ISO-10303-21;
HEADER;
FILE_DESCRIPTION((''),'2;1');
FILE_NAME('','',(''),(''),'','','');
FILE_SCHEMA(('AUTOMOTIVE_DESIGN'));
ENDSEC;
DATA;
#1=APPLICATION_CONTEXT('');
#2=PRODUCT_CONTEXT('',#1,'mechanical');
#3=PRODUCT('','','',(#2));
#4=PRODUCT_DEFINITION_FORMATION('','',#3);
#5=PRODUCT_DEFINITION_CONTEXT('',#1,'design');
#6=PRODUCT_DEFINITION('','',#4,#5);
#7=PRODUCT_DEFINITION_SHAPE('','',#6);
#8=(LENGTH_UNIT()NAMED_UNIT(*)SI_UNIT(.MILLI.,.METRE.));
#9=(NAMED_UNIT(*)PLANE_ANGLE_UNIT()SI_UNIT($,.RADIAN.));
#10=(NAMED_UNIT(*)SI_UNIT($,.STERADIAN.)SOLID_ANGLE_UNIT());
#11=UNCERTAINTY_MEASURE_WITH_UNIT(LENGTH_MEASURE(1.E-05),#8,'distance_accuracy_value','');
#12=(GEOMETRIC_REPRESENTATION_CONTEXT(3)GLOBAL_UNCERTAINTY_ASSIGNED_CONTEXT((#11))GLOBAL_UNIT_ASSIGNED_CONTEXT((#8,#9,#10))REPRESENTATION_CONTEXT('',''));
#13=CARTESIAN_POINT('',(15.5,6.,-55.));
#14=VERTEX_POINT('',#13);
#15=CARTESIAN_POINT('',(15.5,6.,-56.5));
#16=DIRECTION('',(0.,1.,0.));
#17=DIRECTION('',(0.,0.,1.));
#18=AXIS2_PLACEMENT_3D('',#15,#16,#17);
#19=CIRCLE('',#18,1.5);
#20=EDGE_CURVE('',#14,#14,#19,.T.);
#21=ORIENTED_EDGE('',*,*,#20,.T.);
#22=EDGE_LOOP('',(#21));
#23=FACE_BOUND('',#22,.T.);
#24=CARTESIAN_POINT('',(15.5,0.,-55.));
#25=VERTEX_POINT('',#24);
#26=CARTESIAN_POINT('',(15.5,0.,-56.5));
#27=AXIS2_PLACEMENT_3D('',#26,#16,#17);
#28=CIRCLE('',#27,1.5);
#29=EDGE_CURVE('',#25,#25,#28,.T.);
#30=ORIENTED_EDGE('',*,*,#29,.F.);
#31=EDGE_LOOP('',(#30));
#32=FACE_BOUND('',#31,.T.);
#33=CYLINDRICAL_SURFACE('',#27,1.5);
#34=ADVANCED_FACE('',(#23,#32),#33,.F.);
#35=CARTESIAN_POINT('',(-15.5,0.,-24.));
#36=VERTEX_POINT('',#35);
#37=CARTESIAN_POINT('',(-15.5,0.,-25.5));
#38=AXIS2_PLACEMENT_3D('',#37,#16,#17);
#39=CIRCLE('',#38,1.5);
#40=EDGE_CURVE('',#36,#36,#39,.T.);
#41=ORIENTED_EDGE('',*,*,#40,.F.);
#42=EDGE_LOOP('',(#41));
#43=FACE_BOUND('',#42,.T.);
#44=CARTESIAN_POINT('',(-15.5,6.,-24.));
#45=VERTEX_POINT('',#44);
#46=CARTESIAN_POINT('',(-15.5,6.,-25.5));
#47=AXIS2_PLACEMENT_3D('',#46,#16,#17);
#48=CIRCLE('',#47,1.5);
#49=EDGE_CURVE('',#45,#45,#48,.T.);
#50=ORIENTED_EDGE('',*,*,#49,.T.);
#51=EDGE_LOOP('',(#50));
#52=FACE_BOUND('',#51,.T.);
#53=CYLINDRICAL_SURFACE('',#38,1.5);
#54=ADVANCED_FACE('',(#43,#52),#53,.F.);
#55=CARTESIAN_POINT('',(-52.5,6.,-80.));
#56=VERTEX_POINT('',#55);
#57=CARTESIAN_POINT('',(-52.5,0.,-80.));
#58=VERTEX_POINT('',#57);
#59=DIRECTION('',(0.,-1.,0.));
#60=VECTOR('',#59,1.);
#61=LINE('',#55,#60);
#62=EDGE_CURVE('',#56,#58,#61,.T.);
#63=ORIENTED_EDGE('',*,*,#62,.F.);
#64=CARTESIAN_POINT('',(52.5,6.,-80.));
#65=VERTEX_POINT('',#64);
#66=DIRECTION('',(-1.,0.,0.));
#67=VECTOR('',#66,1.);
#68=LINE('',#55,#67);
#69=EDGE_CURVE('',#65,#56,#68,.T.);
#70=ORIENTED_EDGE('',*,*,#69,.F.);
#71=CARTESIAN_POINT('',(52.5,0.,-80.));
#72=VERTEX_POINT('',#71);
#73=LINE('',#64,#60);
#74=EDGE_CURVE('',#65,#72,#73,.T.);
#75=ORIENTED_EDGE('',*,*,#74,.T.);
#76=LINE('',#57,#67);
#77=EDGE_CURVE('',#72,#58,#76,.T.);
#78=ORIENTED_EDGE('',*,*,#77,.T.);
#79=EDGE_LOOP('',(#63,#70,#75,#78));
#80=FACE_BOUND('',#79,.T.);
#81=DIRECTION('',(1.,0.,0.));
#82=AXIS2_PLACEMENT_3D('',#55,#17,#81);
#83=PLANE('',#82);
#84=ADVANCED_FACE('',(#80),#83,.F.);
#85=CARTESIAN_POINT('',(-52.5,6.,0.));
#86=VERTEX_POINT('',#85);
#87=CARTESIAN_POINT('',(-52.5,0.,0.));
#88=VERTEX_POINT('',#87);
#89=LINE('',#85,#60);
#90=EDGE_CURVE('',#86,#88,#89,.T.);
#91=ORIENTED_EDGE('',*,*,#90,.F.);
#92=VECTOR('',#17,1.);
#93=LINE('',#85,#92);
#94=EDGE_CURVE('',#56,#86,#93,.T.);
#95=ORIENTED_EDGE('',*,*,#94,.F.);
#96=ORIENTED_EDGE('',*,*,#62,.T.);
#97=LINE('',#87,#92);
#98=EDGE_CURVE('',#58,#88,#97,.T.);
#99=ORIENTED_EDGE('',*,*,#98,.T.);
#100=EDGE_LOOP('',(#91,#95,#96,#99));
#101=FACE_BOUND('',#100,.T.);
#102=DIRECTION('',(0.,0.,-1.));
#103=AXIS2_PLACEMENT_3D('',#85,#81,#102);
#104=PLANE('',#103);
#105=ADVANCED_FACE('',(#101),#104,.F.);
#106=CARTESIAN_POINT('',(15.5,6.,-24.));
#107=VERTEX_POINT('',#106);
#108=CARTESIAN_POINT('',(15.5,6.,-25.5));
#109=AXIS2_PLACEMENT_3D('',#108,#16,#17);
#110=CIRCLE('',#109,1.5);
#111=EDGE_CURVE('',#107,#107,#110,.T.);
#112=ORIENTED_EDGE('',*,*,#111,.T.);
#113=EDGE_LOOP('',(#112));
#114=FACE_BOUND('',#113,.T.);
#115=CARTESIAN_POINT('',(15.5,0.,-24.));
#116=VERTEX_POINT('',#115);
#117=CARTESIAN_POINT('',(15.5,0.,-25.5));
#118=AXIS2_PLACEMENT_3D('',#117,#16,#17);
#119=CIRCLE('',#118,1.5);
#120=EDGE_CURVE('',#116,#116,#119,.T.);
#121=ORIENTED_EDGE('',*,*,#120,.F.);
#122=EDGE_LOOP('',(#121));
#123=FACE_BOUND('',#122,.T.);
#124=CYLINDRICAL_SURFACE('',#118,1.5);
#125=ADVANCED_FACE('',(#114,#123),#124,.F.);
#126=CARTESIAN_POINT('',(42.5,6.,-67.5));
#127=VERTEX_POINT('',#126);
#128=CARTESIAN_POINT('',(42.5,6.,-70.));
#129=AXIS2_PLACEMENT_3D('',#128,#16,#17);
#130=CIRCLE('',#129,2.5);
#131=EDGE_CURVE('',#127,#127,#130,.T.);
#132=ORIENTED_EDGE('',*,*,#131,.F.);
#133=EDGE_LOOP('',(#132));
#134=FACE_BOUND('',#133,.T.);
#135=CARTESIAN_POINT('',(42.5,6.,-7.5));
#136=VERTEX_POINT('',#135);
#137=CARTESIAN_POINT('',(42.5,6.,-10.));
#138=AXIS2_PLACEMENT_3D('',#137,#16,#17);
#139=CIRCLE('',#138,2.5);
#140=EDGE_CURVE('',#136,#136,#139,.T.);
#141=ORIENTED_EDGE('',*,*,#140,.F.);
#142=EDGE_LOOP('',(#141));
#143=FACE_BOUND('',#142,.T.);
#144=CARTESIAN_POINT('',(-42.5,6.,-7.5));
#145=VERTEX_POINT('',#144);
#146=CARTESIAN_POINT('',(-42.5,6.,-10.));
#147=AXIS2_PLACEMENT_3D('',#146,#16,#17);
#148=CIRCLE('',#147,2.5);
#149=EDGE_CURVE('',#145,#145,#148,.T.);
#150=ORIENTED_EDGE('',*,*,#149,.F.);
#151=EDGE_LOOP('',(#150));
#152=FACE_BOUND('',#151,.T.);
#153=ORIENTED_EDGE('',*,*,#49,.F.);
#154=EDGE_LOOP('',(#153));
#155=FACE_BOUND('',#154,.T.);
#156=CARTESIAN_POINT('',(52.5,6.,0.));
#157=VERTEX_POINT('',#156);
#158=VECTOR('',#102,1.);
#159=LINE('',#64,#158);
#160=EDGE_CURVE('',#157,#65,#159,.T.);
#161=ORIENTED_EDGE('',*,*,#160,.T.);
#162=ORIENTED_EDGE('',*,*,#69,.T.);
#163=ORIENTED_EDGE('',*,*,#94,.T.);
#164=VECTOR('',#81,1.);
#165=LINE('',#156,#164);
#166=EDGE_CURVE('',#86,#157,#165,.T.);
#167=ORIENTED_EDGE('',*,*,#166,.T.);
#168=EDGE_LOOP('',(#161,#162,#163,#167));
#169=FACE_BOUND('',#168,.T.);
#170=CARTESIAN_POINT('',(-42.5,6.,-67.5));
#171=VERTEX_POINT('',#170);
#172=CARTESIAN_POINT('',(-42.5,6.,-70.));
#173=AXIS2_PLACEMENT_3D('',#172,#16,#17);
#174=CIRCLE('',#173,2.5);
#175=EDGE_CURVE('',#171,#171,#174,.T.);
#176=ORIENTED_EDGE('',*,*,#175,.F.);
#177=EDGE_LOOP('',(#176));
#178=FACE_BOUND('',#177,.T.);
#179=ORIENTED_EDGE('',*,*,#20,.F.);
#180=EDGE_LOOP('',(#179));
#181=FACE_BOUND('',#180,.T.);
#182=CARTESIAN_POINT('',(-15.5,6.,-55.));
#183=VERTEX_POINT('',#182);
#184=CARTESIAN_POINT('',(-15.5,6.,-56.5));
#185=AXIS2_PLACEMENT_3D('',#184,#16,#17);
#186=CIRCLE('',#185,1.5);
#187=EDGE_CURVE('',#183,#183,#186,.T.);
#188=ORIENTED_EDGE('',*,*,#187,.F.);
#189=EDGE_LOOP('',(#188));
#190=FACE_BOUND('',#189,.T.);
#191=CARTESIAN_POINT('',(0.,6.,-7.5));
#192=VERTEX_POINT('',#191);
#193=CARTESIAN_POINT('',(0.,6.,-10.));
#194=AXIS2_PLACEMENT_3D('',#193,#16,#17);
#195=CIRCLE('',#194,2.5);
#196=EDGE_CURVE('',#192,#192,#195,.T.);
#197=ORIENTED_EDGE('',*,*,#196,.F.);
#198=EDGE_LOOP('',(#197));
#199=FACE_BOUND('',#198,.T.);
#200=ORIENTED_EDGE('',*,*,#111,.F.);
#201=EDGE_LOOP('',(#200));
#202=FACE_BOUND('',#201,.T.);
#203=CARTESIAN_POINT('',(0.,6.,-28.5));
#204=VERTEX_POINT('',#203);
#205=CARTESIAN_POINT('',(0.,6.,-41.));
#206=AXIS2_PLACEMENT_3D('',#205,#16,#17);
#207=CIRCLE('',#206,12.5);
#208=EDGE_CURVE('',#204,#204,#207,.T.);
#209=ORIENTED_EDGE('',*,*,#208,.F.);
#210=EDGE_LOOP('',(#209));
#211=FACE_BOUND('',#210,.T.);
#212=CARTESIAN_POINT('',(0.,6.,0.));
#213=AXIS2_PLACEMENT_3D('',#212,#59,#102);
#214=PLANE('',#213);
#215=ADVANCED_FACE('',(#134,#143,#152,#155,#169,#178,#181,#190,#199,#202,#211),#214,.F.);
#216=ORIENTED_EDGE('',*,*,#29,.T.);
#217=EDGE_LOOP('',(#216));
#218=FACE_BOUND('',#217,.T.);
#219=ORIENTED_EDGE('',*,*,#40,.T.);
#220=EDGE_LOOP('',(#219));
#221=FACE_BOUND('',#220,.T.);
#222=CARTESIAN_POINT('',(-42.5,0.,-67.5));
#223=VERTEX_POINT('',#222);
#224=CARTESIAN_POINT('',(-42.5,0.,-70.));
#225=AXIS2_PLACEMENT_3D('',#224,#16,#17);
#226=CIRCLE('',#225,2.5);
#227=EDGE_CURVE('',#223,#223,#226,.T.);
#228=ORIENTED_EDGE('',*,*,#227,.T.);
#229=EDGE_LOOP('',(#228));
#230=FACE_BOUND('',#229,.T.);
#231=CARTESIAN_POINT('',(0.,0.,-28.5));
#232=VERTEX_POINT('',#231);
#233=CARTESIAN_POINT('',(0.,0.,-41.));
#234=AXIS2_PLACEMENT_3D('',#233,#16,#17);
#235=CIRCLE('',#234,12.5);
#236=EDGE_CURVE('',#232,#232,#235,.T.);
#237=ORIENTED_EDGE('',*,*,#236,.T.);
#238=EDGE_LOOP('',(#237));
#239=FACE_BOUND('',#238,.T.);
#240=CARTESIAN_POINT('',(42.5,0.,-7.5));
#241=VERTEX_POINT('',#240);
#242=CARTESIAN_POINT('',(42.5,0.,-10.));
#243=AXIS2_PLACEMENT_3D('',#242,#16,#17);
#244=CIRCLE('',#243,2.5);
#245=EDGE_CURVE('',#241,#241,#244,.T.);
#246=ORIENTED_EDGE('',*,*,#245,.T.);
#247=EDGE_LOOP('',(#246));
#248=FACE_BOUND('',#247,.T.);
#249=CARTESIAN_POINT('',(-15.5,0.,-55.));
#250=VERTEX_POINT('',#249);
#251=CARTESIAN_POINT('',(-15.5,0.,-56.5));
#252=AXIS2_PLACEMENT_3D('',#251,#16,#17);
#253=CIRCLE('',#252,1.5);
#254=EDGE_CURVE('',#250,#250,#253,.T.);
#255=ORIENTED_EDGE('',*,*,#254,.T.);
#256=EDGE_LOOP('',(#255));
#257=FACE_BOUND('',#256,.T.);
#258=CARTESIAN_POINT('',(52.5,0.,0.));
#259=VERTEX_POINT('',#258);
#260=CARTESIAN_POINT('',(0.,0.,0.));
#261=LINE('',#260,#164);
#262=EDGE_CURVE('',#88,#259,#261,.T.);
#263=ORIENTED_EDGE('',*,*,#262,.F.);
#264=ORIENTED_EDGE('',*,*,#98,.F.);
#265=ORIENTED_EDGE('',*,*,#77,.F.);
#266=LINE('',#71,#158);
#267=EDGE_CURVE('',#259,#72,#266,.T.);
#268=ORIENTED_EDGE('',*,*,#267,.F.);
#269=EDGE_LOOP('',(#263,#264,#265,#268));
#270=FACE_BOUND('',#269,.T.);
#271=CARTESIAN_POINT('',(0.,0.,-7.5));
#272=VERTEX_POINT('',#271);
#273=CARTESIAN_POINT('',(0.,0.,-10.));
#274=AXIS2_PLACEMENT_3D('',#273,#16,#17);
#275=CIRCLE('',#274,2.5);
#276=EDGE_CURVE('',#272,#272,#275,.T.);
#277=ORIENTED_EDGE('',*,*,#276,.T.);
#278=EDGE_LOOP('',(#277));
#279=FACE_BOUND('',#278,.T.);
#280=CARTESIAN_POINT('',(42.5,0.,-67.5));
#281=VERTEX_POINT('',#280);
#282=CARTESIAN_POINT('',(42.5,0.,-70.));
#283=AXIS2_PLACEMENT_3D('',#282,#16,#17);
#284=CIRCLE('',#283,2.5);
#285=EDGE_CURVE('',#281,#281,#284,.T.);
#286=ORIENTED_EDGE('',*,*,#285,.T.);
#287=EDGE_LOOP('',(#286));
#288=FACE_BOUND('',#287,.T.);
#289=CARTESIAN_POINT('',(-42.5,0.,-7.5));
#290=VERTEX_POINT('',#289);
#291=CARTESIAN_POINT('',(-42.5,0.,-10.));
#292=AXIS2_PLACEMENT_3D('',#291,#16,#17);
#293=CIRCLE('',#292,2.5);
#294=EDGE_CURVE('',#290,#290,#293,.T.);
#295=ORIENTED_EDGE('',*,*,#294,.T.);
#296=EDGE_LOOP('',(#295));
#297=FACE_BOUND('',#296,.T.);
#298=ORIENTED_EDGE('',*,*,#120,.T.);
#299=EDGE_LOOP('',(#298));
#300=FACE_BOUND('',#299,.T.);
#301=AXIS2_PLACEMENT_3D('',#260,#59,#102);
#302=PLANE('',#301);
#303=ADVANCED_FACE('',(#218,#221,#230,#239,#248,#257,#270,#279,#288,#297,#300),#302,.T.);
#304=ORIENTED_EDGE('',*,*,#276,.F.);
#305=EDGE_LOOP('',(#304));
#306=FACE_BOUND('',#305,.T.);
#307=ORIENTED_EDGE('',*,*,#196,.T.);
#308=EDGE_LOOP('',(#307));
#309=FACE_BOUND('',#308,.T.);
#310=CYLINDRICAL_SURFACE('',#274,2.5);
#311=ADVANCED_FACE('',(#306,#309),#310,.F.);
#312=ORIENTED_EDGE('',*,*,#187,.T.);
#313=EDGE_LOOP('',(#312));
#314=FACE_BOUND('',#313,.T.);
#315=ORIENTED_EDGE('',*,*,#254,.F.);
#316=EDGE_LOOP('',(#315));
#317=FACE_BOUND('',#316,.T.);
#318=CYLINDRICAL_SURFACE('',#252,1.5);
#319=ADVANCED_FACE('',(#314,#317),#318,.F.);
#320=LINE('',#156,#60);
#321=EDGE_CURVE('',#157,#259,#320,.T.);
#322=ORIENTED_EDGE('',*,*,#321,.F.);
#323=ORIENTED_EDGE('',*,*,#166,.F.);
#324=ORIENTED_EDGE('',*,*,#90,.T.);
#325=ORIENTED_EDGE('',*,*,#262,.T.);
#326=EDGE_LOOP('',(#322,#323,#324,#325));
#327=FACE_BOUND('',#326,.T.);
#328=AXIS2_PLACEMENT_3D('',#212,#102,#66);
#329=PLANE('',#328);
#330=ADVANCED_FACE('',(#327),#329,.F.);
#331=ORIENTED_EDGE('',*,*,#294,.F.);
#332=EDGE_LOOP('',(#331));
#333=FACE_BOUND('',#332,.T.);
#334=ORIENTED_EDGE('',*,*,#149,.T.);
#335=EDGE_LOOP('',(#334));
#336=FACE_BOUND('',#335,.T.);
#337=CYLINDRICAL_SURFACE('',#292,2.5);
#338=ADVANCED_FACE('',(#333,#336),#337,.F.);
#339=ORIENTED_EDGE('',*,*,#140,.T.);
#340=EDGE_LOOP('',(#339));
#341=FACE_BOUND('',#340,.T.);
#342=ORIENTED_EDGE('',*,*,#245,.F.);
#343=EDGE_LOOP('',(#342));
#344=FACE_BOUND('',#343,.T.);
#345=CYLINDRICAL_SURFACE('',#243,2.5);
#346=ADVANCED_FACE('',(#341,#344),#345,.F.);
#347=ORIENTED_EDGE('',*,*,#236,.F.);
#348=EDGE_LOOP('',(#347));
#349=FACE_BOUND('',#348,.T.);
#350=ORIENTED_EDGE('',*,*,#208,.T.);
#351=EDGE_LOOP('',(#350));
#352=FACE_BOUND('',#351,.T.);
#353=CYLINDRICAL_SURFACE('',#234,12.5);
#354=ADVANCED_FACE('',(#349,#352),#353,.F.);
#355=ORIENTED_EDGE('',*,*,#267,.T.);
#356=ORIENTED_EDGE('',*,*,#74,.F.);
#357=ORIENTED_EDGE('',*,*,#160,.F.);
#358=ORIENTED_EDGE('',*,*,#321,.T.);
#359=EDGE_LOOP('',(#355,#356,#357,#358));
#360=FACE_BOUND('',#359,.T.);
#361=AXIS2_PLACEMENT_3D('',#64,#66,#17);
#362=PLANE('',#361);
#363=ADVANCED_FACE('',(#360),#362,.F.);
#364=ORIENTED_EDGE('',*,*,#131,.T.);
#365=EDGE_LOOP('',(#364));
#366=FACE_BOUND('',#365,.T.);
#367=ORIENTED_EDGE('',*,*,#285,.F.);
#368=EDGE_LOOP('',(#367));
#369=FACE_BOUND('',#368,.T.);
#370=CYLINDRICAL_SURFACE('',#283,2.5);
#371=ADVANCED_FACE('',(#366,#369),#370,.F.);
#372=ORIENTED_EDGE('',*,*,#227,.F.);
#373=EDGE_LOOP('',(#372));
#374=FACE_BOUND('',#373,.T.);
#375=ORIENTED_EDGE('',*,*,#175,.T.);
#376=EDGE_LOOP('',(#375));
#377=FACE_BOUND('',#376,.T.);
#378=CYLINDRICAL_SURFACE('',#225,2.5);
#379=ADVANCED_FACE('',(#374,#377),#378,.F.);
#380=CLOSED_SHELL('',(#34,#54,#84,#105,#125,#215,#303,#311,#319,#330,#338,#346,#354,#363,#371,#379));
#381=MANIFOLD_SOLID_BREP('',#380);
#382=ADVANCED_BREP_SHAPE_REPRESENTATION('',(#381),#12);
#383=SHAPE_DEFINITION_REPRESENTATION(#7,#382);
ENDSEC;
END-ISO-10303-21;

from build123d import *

# Parameters (mm, degrees)
BOSS_EXTRUDE1_DEPTH = 6
SKETCH2_R           = 2.5
SKETCH2_R_2         = 12.5
SKETCH2_R_3         = 1.5
CUT_EXTRUDE1_DEPTH  = 96.876222287


with BuildPart() as part:
    # Sketch1 → Boss-Extrude1 (new body)
    with BuildSketch(Plane(origin=(0, 0, 0), x_dir=(1, 0, 0), z_dir=(0, 1, 0))):
        Polygon((0, 0), (-52.5, 0), (-52.5, 80), (52.5, 80), (52.5, 0), align=None)
    extrude(amount=BOSS_EXTRUDE1_DEPTH)

    # Sketch2 → Cut-Extrude1 (cut, through all)
    with BuildSketch(Plane(origin=(0, 6, 0), x_dir=(1, 0, 0), z_dir=(0, 1, 0))):
        with Locations(Location((-42.5, 70, 0), (0, 0, 270))):
            Circle(SKETCH2_R)
        with Locations(Location((42.5, 70, 0), (0, 0, 270))):
            Circle(SKETCH2_R)
        with Locations(Location((42.5, 10, 0), (0, 0, 270))):
            Circle(SKETCH2_R)
        with Locations(Location((0, 10, 0), (0, 0, 270))):
            Circle(SKETCH2_R)
        with Locations(Location((-42.5, 10, 0), (0, 0, 270))):
            Circle(SKETCH2_R)
        with Locations(Location((0, 41, 0), (0, 0, 270))):
            Circle(SKETCH2_R_2)
        with Locations(Location((-15.5, 56.5, 0), (0, 0, 270))):
            Circle(SKETCH2_R_3)
        with Locations(Location((15.5, 56.5, 0), (0, 0, 270))):
            Circle(SKETCH2_R_3)
        with Locations(Location((-15.5, 25.5, 0), (0, 0, 270))):
            Circle(SKETCH2_R_3)
        with Locations(Location((15.5, 25.5, 0), (0, 0, 270))):
            Circle(SKETCH2_R_3)
    extrude(amount=-CUT_EXTRUDE1_DEPTH, mode=Mode.SUBTRACT)


solid = part.part
